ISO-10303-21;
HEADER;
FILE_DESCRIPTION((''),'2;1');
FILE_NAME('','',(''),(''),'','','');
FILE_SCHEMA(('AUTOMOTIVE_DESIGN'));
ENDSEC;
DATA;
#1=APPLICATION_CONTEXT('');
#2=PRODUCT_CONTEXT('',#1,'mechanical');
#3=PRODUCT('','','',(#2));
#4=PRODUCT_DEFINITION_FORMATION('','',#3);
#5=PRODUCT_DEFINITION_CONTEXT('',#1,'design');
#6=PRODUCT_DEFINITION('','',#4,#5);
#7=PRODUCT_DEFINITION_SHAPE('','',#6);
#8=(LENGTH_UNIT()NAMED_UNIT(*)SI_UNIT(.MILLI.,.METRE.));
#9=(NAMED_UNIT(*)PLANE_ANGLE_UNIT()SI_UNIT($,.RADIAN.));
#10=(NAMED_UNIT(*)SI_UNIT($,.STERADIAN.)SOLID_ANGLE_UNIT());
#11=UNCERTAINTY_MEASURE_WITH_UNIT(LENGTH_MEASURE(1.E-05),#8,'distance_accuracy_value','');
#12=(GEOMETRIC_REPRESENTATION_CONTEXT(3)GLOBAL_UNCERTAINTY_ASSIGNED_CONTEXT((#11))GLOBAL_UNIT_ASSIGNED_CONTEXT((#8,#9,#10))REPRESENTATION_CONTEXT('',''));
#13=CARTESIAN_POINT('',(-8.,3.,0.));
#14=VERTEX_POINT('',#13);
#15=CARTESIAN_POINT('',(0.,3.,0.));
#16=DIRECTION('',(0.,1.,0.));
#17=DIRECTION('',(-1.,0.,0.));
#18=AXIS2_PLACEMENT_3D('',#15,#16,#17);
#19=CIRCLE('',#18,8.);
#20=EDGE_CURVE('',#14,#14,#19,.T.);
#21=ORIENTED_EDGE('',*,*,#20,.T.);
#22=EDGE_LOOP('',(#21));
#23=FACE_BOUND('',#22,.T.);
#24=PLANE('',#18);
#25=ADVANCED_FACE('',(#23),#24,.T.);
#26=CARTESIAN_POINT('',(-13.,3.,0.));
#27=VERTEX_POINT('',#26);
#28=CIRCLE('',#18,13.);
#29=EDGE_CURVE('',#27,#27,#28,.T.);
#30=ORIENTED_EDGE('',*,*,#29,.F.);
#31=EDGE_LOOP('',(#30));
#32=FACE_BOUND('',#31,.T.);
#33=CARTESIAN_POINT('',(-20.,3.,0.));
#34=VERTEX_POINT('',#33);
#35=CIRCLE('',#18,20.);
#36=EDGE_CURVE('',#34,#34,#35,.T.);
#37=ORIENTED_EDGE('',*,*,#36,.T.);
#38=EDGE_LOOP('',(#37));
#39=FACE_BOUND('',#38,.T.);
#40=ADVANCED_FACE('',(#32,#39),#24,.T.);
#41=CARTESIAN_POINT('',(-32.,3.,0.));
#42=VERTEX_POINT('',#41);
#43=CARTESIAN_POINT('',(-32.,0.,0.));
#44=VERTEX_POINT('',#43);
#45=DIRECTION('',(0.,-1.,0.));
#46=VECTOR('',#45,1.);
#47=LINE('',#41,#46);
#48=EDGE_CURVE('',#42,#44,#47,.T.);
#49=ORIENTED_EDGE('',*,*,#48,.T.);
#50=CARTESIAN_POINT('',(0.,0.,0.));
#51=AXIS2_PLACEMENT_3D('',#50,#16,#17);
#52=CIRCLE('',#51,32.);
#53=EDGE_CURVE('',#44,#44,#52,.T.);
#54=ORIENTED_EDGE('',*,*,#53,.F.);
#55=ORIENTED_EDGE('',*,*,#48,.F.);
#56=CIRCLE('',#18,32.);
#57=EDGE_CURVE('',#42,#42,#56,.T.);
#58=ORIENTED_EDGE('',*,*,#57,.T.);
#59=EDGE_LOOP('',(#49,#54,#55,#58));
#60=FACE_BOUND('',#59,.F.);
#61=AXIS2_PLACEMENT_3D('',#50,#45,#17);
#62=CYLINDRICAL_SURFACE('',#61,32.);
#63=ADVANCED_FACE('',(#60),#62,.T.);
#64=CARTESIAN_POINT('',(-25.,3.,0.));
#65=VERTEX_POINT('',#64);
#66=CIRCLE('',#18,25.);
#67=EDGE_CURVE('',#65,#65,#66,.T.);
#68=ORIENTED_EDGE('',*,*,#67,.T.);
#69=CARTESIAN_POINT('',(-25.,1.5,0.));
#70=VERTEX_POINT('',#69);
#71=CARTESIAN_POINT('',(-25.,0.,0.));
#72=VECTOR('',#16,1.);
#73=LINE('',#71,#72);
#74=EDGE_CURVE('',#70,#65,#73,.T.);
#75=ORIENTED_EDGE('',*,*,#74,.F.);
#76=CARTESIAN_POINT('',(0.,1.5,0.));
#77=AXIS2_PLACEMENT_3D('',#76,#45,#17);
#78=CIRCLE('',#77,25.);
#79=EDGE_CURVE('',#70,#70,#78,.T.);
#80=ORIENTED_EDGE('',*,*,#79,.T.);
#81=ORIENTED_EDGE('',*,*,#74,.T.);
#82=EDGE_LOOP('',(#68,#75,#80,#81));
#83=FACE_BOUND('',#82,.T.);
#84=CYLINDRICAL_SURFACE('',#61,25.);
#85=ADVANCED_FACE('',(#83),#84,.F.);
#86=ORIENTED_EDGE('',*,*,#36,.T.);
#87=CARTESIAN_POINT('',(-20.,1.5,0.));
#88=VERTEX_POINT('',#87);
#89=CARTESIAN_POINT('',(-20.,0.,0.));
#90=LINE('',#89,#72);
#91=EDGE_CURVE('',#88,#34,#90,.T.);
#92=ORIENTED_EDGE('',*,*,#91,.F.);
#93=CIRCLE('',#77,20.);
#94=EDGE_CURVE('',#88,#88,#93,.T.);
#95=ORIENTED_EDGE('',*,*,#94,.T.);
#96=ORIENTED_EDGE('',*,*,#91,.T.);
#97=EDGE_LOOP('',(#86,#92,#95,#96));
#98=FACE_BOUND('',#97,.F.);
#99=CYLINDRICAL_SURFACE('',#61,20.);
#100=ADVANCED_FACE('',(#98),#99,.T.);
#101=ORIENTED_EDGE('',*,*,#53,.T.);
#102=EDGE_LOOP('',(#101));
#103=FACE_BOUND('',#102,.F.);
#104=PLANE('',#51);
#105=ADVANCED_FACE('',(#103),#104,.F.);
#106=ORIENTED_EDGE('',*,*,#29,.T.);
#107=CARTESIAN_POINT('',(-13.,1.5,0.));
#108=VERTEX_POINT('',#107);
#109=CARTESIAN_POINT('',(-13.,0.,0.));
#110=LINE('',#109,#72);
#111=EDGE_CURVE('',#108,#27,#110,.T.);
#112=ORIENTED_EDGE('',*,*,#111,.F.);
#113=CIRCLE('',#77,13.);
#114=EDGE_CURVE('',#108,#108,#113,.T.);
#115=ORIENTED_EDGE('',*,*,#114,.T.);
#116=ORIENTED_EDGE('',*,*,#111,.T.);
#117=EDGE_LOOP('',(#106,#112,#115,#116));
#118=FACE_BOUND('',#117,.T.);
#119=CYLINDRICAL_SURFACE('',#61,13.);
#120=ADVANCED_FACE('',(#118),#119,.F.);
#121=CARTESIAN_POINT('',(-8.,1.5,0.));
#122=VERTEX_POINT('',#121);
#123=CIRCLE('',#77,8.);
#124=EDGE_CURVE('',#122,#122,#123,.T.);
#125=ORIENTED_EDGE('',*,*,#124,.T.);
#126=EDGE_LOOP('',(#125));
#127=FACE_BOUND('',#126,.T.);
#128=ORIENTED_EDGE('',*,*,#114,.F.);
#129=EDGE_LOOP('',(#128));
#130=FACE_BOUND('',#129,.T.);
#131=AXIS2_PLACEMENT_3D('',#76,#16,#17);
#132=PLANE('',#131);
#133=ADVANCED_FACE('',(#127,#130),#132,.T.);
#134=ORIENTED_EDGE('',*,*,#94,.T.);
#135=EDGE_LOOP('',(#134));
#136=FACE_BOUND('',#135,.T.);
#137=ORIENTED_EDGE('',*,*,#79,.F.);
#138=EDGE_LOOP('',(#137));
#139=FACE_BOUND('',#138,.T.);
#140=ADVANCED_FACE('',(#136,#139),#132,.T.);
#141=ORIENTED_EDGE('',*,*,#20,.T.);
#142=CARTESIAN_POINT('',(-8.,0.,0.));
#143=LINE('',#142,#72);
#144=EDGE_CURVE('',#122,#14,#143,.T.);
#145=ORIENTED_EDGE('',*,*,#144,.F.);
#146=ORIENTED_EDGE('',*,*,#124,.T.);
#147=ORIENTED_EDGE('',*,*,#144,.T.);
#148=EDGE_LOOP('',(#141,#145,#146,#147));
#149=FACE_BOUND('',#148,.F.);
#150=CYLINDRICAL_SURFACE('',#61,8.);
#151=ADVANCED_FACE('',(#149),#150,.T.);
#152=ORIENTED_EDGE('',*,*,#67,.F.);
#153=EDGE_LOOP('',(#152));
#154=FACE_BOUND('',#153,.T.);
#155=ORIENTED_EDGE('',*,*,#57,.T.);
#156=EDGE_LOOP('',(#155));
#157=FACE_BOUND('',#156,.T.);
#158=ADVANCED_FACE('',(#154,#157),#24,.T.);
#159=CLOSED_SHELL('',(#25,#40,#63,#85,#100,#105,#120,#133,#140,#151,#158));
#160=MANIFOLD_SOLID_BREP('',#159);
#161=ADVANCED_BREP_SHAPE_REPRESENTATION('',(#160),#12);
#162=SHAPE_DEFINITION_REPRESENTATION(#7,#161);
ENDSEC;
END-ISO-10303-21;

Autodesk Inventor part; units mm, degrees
ref_plane "YZ Plane" through (0, 0, 0) normal (1, 0, 0) x (0, 1, 0)
ref_plane "XZ Plane" through (0, 0, 0) normal (0, 1, 0) x (-1, 0, 0)
ref_plane "XY Plane" through (0, 0, 0) normal (0, 0, 1) x (1, 0, 0)
sketch "Sketch1" plane through (0, 0, 0) normal (0, 1, 0) x (-1, 0, 0)
  circle A0 centre (0, 0) radius 8
  circle A1 centre (0, 0) radius 13
  circle A2 centre (0, 0) radius 20
  circle A3 centre (0, 0) radius 25
  circle A4 centre (0, 0) radius 32
  dimension "d0" = 16
  dimension "d1" = 5
  dimension "d2" = 7
  dimension "d3" = 5
  dimension "d4" = 7
extrude "Extrusion1" add sketch "Sketch1" along normal blind 1.5 contours A0 | A1 | A2 | A3 | A4
extrude "Extrusion2" add sketch "Sketch1" along normal blind 3
properties part number "Marker1"
